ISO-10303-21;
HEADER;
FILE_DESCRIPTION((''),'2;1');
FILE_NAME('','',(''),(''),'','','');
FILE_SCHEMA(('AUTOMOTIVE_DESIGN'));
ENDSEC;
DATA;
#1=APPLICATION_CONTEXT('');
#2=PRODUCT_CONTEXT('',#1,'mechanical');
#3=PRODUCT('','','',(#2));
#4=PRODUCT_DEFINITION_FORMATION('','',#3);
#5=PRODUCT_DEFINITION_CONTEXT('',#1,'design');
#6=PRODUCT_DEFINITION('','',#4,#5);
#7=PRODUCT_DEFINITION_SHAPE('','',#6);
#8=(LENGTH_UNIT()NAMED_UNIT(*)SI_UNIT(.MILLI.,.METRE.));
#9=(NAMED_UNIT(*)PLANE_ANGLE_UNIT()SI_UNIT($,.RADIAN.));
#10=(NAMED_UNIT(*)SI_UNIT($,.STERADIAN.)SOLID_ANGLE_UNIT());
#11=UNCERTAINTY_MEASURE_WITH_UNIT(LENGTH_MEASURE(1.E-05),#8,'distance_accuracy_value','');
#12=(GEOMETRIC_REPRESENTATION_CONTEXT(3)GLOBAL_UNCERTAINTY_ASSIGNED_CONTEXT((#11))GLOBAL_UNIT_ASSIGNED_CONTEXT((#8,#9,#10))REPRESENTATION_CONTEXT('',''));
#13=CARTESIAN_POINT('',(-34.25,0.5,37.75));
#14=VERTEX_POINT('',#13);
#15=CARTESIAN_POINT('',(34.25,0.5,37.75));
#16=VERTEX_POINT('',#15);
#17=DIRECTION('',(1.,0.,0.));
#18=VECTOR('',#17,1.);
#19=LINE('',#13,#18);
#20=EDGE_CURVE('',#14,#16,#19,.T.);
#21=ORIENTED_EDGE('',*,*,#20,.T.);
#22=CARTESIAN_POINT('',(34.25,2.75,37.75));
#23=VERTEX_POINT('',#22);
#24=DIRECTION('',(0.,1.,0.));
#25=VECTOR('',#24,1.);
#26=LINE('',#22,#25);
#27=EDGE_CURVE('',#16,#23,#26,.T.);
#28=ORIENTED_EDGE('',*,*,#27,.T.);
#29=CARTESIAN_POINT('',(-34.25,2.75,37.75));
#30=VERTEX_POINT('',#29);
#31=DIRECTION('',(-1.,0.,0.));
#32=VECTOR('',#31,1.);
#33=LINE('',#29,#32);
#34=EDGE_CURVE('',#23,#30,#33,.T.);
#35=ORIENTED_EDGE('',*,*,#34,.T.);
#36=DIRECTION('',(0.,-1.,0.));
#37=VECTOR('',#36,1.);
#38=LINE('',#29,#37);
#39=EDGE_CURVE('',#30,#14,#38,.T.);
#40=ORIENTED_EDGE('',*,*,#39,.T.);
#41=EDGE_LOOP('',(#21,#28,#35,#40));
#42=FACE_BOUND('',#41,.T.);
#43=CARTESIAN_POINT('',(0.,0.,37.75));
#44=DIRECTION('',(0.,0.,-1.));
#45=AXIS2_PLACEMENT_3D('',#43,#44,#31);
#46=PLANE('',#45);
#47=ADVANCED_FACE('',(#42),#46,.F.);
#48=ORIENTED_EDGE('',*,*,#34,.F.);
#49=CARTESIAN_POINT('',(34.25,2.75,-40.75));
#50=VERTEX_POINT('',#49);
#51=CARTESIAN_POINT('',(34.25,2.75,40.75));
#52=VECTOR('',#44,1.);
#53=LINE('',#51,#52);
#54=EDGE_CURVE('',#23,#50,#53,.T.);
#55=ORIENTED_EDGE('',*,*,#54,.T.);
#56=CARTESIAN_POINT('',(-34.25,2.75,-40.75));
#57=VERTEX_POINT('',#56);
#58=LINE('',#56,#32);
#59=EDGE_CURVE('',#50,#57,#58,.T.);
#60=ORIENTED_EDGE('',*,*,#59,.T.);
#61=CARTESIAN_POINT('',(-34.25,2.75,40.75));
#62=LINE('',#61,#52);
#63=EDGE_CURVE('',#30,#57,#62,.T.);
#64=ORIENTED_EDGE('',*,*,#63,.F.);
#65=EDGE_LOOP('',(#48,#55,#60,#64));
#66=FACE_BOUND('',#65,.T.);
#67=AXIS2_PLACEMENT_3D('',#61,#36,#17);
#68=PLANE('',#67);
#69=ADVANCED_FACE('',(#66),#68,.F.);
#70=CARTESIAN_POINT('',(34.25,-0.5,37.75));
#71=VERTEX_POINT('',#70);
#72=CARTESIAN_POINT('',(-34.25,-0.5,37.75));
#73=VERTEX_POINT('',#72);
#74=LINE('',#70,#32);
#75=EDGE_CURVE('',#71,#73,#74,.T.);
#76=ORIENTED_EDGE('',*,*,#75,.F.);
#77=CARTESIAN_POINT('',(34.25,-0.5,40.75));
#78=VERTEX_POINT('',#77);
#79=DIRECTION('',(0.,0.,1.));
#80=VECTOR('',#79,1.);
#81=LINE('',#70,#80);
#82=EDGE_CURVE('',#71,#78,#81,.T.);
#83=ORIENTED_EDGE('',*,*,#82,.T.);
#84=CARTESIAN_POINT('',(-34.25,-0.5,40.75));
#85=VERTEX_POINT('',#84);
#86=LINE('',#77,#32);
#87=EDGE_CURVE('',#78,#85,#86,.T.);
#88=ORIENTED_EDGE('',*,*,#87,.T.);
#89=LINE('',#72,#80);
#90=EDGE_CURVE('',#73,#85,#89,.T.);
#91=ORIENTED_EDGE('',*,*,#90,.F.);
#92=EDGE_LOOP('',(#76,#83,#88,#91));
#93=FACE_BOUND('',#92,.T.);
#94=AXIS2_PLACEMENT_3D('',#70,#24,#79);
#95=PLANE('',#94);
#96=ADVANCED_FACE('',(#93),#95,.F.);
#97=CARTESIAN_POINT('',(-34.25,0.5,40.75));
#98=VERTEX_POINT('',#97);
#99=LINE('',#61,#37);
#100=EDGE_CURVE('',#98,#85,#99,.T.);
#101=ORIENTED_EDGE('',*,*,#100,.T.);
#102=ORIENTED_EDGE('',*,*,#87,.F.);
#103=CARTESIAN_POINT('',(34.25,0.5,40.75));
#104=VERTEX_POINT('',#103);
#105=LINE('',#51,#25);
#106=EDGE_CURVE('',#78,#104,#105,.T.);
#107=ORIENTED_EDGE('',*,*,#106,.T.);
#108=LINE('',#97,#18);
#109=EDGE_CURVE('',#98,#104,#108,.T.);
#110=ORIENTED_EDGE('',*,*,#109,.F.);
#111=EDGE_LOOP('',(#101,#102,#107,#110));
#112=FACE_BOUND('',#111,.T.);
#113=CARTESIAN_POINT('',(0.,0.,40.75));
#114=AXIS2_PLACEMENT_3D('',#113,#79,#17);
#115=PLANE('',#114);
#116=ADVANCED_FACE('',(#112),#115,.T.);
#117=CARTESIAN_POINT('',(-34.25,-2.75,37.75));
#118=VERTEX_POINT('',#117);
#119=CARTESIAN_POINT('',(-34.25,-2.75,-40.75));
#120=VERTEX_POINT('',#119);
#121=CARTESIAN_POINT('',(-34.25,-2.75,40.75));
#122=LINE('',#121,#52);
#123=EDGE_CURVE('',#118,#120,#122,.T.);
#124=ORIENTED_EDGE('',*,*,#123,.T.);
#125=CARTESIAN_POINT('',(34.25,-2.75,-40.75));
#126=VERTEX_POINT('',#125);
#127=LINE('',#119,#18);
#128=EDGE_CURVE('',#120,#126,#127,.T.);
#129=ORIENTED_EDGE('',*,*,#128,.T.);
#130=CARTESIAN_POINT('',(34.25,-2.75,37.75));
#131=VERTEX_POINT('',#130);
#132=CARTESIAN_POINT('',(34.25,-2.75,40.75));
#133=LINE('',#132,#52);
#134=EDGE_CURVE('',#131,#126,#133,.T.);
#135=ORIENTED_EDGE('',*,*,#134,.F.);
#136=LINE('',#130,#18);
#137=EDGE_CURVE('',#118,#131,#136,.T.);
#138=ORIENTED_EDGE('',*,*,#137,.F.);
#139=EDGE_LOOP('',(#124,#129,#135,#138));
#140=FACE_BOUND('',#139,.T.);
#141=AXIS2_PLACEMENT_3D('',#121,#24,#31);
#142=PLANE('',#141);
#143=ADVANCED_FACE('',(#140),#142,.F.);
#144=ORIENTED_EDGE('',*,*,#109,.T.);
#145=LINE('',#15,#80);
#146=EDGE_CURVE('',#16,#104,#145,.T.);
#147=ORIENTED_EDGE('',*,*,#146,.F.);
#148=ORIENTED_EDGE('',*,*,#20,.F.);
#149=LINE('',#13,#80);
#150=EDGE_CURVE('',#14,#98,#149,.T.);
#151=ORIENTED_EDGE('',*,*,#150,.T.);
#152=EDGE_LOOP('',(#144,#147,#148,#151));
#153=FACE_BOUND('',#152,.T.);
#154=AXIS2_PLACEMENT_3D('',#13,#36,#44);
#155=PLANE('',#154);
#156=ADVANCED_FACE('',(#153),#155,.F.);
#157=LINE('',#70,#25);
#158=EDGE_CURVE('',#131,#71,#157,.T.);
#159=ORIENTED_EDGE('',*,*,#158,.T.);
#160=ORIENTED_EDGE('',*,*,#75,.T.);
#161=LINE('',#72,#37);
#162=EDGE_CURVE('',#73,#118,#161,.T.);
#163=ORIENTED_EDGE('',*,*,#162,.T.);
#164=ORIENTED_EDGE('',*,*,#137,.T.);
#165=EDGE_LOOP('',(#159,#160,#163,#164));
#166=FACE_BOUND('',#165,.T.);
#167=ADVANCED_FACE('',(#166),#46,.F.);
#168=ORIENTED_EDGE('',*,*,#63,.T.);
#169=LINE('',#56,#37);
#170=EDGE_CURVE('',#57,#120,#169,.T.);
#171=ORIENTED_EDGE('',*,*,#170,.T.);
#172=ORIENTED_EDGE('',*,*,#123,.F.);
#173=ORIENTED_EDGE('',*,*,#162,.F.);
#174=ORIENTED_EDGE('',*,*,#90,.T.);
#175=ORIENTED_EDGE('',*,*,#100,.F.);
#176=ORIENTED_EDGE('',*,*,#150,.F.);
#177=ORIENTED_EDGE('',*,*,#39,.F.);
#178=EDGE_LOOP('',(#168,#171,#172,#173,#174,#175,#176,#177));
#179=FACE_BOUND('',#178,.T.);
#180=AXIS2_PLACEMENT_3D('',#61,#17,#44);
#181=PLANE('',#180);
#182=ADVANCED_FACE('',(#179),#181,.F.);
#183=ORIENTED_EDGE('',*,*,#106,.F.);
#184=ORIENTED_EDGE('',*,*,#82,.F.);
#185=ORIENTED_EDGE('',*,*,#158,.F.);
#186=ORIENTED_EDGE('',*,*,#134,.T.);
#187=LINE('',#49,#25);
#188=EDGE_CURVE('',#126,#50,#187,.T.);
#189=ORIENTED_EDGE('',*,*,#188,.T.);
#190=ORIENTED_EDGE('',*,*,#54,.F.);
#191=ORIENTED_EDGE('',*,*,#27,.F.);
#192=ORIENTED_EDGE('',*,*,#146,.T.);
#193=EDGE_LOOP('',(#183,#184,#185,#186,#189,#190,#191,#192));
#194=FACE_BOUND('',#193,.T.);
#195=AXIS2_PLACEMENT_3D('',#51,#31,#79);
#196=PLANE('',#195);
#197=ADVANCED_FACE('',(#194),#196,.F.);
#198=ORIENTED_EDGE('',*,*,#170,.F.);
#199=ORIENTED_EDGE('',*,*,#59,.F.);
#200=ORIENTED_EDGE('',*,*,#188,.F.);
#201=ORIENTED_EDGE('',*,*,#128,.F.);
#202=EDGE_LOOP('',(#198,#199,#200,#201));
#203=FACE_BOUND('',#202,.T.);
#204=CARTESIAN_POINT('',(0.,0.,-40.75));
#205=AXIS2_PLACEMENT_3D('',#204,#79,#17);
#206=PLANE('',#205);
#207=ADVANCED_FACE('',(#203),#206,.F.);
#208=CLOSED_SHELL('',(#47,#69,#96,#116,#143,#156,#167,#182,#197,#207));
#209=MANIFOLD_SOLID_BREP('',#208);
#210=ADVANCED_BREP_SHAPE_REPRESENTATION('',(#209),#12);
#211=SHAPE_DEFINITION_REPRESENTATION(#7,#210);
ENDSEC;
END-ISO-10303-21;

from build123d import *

# Parameters (mm, degrees)
SKETCH1_W           = 68.5
SKETCH1_H           = 5.5
BOSS_EXTRUDE1_DEPTH = 40.75
SKETCH2_W           = 68.5
SKETCH2_H           = 2.25
CUT_EXTRUDE1_DEPTH  = 3


with BuildPart() as part:
    # Sketch1 → Boss-Extrude1 (new, symmetric)
    with BuildSketch(Plane.XY):
        Rectangle(SKETCH1_W, SKETCH1_H)
    extrude(amount=BOSS_EXTRUDE1_DEPTH, both=True)

    # Sketch2 → Cut-Extrude1 (cut)
    with BuildSketch(Plane.XY.offset(40.75)):
        with Locations((0, 1.625)):
            Rectangle(SKETCH2_W, SKETCH2_H)
        with Locations((0, -1.625)):
            Rectangle(SKETCH2_W, SKETCH2_H)
    extrude(amount=-CUT_EXTRUDE1_DEPTH, mode=Mode.SUBTRACT)


solid = part.part
